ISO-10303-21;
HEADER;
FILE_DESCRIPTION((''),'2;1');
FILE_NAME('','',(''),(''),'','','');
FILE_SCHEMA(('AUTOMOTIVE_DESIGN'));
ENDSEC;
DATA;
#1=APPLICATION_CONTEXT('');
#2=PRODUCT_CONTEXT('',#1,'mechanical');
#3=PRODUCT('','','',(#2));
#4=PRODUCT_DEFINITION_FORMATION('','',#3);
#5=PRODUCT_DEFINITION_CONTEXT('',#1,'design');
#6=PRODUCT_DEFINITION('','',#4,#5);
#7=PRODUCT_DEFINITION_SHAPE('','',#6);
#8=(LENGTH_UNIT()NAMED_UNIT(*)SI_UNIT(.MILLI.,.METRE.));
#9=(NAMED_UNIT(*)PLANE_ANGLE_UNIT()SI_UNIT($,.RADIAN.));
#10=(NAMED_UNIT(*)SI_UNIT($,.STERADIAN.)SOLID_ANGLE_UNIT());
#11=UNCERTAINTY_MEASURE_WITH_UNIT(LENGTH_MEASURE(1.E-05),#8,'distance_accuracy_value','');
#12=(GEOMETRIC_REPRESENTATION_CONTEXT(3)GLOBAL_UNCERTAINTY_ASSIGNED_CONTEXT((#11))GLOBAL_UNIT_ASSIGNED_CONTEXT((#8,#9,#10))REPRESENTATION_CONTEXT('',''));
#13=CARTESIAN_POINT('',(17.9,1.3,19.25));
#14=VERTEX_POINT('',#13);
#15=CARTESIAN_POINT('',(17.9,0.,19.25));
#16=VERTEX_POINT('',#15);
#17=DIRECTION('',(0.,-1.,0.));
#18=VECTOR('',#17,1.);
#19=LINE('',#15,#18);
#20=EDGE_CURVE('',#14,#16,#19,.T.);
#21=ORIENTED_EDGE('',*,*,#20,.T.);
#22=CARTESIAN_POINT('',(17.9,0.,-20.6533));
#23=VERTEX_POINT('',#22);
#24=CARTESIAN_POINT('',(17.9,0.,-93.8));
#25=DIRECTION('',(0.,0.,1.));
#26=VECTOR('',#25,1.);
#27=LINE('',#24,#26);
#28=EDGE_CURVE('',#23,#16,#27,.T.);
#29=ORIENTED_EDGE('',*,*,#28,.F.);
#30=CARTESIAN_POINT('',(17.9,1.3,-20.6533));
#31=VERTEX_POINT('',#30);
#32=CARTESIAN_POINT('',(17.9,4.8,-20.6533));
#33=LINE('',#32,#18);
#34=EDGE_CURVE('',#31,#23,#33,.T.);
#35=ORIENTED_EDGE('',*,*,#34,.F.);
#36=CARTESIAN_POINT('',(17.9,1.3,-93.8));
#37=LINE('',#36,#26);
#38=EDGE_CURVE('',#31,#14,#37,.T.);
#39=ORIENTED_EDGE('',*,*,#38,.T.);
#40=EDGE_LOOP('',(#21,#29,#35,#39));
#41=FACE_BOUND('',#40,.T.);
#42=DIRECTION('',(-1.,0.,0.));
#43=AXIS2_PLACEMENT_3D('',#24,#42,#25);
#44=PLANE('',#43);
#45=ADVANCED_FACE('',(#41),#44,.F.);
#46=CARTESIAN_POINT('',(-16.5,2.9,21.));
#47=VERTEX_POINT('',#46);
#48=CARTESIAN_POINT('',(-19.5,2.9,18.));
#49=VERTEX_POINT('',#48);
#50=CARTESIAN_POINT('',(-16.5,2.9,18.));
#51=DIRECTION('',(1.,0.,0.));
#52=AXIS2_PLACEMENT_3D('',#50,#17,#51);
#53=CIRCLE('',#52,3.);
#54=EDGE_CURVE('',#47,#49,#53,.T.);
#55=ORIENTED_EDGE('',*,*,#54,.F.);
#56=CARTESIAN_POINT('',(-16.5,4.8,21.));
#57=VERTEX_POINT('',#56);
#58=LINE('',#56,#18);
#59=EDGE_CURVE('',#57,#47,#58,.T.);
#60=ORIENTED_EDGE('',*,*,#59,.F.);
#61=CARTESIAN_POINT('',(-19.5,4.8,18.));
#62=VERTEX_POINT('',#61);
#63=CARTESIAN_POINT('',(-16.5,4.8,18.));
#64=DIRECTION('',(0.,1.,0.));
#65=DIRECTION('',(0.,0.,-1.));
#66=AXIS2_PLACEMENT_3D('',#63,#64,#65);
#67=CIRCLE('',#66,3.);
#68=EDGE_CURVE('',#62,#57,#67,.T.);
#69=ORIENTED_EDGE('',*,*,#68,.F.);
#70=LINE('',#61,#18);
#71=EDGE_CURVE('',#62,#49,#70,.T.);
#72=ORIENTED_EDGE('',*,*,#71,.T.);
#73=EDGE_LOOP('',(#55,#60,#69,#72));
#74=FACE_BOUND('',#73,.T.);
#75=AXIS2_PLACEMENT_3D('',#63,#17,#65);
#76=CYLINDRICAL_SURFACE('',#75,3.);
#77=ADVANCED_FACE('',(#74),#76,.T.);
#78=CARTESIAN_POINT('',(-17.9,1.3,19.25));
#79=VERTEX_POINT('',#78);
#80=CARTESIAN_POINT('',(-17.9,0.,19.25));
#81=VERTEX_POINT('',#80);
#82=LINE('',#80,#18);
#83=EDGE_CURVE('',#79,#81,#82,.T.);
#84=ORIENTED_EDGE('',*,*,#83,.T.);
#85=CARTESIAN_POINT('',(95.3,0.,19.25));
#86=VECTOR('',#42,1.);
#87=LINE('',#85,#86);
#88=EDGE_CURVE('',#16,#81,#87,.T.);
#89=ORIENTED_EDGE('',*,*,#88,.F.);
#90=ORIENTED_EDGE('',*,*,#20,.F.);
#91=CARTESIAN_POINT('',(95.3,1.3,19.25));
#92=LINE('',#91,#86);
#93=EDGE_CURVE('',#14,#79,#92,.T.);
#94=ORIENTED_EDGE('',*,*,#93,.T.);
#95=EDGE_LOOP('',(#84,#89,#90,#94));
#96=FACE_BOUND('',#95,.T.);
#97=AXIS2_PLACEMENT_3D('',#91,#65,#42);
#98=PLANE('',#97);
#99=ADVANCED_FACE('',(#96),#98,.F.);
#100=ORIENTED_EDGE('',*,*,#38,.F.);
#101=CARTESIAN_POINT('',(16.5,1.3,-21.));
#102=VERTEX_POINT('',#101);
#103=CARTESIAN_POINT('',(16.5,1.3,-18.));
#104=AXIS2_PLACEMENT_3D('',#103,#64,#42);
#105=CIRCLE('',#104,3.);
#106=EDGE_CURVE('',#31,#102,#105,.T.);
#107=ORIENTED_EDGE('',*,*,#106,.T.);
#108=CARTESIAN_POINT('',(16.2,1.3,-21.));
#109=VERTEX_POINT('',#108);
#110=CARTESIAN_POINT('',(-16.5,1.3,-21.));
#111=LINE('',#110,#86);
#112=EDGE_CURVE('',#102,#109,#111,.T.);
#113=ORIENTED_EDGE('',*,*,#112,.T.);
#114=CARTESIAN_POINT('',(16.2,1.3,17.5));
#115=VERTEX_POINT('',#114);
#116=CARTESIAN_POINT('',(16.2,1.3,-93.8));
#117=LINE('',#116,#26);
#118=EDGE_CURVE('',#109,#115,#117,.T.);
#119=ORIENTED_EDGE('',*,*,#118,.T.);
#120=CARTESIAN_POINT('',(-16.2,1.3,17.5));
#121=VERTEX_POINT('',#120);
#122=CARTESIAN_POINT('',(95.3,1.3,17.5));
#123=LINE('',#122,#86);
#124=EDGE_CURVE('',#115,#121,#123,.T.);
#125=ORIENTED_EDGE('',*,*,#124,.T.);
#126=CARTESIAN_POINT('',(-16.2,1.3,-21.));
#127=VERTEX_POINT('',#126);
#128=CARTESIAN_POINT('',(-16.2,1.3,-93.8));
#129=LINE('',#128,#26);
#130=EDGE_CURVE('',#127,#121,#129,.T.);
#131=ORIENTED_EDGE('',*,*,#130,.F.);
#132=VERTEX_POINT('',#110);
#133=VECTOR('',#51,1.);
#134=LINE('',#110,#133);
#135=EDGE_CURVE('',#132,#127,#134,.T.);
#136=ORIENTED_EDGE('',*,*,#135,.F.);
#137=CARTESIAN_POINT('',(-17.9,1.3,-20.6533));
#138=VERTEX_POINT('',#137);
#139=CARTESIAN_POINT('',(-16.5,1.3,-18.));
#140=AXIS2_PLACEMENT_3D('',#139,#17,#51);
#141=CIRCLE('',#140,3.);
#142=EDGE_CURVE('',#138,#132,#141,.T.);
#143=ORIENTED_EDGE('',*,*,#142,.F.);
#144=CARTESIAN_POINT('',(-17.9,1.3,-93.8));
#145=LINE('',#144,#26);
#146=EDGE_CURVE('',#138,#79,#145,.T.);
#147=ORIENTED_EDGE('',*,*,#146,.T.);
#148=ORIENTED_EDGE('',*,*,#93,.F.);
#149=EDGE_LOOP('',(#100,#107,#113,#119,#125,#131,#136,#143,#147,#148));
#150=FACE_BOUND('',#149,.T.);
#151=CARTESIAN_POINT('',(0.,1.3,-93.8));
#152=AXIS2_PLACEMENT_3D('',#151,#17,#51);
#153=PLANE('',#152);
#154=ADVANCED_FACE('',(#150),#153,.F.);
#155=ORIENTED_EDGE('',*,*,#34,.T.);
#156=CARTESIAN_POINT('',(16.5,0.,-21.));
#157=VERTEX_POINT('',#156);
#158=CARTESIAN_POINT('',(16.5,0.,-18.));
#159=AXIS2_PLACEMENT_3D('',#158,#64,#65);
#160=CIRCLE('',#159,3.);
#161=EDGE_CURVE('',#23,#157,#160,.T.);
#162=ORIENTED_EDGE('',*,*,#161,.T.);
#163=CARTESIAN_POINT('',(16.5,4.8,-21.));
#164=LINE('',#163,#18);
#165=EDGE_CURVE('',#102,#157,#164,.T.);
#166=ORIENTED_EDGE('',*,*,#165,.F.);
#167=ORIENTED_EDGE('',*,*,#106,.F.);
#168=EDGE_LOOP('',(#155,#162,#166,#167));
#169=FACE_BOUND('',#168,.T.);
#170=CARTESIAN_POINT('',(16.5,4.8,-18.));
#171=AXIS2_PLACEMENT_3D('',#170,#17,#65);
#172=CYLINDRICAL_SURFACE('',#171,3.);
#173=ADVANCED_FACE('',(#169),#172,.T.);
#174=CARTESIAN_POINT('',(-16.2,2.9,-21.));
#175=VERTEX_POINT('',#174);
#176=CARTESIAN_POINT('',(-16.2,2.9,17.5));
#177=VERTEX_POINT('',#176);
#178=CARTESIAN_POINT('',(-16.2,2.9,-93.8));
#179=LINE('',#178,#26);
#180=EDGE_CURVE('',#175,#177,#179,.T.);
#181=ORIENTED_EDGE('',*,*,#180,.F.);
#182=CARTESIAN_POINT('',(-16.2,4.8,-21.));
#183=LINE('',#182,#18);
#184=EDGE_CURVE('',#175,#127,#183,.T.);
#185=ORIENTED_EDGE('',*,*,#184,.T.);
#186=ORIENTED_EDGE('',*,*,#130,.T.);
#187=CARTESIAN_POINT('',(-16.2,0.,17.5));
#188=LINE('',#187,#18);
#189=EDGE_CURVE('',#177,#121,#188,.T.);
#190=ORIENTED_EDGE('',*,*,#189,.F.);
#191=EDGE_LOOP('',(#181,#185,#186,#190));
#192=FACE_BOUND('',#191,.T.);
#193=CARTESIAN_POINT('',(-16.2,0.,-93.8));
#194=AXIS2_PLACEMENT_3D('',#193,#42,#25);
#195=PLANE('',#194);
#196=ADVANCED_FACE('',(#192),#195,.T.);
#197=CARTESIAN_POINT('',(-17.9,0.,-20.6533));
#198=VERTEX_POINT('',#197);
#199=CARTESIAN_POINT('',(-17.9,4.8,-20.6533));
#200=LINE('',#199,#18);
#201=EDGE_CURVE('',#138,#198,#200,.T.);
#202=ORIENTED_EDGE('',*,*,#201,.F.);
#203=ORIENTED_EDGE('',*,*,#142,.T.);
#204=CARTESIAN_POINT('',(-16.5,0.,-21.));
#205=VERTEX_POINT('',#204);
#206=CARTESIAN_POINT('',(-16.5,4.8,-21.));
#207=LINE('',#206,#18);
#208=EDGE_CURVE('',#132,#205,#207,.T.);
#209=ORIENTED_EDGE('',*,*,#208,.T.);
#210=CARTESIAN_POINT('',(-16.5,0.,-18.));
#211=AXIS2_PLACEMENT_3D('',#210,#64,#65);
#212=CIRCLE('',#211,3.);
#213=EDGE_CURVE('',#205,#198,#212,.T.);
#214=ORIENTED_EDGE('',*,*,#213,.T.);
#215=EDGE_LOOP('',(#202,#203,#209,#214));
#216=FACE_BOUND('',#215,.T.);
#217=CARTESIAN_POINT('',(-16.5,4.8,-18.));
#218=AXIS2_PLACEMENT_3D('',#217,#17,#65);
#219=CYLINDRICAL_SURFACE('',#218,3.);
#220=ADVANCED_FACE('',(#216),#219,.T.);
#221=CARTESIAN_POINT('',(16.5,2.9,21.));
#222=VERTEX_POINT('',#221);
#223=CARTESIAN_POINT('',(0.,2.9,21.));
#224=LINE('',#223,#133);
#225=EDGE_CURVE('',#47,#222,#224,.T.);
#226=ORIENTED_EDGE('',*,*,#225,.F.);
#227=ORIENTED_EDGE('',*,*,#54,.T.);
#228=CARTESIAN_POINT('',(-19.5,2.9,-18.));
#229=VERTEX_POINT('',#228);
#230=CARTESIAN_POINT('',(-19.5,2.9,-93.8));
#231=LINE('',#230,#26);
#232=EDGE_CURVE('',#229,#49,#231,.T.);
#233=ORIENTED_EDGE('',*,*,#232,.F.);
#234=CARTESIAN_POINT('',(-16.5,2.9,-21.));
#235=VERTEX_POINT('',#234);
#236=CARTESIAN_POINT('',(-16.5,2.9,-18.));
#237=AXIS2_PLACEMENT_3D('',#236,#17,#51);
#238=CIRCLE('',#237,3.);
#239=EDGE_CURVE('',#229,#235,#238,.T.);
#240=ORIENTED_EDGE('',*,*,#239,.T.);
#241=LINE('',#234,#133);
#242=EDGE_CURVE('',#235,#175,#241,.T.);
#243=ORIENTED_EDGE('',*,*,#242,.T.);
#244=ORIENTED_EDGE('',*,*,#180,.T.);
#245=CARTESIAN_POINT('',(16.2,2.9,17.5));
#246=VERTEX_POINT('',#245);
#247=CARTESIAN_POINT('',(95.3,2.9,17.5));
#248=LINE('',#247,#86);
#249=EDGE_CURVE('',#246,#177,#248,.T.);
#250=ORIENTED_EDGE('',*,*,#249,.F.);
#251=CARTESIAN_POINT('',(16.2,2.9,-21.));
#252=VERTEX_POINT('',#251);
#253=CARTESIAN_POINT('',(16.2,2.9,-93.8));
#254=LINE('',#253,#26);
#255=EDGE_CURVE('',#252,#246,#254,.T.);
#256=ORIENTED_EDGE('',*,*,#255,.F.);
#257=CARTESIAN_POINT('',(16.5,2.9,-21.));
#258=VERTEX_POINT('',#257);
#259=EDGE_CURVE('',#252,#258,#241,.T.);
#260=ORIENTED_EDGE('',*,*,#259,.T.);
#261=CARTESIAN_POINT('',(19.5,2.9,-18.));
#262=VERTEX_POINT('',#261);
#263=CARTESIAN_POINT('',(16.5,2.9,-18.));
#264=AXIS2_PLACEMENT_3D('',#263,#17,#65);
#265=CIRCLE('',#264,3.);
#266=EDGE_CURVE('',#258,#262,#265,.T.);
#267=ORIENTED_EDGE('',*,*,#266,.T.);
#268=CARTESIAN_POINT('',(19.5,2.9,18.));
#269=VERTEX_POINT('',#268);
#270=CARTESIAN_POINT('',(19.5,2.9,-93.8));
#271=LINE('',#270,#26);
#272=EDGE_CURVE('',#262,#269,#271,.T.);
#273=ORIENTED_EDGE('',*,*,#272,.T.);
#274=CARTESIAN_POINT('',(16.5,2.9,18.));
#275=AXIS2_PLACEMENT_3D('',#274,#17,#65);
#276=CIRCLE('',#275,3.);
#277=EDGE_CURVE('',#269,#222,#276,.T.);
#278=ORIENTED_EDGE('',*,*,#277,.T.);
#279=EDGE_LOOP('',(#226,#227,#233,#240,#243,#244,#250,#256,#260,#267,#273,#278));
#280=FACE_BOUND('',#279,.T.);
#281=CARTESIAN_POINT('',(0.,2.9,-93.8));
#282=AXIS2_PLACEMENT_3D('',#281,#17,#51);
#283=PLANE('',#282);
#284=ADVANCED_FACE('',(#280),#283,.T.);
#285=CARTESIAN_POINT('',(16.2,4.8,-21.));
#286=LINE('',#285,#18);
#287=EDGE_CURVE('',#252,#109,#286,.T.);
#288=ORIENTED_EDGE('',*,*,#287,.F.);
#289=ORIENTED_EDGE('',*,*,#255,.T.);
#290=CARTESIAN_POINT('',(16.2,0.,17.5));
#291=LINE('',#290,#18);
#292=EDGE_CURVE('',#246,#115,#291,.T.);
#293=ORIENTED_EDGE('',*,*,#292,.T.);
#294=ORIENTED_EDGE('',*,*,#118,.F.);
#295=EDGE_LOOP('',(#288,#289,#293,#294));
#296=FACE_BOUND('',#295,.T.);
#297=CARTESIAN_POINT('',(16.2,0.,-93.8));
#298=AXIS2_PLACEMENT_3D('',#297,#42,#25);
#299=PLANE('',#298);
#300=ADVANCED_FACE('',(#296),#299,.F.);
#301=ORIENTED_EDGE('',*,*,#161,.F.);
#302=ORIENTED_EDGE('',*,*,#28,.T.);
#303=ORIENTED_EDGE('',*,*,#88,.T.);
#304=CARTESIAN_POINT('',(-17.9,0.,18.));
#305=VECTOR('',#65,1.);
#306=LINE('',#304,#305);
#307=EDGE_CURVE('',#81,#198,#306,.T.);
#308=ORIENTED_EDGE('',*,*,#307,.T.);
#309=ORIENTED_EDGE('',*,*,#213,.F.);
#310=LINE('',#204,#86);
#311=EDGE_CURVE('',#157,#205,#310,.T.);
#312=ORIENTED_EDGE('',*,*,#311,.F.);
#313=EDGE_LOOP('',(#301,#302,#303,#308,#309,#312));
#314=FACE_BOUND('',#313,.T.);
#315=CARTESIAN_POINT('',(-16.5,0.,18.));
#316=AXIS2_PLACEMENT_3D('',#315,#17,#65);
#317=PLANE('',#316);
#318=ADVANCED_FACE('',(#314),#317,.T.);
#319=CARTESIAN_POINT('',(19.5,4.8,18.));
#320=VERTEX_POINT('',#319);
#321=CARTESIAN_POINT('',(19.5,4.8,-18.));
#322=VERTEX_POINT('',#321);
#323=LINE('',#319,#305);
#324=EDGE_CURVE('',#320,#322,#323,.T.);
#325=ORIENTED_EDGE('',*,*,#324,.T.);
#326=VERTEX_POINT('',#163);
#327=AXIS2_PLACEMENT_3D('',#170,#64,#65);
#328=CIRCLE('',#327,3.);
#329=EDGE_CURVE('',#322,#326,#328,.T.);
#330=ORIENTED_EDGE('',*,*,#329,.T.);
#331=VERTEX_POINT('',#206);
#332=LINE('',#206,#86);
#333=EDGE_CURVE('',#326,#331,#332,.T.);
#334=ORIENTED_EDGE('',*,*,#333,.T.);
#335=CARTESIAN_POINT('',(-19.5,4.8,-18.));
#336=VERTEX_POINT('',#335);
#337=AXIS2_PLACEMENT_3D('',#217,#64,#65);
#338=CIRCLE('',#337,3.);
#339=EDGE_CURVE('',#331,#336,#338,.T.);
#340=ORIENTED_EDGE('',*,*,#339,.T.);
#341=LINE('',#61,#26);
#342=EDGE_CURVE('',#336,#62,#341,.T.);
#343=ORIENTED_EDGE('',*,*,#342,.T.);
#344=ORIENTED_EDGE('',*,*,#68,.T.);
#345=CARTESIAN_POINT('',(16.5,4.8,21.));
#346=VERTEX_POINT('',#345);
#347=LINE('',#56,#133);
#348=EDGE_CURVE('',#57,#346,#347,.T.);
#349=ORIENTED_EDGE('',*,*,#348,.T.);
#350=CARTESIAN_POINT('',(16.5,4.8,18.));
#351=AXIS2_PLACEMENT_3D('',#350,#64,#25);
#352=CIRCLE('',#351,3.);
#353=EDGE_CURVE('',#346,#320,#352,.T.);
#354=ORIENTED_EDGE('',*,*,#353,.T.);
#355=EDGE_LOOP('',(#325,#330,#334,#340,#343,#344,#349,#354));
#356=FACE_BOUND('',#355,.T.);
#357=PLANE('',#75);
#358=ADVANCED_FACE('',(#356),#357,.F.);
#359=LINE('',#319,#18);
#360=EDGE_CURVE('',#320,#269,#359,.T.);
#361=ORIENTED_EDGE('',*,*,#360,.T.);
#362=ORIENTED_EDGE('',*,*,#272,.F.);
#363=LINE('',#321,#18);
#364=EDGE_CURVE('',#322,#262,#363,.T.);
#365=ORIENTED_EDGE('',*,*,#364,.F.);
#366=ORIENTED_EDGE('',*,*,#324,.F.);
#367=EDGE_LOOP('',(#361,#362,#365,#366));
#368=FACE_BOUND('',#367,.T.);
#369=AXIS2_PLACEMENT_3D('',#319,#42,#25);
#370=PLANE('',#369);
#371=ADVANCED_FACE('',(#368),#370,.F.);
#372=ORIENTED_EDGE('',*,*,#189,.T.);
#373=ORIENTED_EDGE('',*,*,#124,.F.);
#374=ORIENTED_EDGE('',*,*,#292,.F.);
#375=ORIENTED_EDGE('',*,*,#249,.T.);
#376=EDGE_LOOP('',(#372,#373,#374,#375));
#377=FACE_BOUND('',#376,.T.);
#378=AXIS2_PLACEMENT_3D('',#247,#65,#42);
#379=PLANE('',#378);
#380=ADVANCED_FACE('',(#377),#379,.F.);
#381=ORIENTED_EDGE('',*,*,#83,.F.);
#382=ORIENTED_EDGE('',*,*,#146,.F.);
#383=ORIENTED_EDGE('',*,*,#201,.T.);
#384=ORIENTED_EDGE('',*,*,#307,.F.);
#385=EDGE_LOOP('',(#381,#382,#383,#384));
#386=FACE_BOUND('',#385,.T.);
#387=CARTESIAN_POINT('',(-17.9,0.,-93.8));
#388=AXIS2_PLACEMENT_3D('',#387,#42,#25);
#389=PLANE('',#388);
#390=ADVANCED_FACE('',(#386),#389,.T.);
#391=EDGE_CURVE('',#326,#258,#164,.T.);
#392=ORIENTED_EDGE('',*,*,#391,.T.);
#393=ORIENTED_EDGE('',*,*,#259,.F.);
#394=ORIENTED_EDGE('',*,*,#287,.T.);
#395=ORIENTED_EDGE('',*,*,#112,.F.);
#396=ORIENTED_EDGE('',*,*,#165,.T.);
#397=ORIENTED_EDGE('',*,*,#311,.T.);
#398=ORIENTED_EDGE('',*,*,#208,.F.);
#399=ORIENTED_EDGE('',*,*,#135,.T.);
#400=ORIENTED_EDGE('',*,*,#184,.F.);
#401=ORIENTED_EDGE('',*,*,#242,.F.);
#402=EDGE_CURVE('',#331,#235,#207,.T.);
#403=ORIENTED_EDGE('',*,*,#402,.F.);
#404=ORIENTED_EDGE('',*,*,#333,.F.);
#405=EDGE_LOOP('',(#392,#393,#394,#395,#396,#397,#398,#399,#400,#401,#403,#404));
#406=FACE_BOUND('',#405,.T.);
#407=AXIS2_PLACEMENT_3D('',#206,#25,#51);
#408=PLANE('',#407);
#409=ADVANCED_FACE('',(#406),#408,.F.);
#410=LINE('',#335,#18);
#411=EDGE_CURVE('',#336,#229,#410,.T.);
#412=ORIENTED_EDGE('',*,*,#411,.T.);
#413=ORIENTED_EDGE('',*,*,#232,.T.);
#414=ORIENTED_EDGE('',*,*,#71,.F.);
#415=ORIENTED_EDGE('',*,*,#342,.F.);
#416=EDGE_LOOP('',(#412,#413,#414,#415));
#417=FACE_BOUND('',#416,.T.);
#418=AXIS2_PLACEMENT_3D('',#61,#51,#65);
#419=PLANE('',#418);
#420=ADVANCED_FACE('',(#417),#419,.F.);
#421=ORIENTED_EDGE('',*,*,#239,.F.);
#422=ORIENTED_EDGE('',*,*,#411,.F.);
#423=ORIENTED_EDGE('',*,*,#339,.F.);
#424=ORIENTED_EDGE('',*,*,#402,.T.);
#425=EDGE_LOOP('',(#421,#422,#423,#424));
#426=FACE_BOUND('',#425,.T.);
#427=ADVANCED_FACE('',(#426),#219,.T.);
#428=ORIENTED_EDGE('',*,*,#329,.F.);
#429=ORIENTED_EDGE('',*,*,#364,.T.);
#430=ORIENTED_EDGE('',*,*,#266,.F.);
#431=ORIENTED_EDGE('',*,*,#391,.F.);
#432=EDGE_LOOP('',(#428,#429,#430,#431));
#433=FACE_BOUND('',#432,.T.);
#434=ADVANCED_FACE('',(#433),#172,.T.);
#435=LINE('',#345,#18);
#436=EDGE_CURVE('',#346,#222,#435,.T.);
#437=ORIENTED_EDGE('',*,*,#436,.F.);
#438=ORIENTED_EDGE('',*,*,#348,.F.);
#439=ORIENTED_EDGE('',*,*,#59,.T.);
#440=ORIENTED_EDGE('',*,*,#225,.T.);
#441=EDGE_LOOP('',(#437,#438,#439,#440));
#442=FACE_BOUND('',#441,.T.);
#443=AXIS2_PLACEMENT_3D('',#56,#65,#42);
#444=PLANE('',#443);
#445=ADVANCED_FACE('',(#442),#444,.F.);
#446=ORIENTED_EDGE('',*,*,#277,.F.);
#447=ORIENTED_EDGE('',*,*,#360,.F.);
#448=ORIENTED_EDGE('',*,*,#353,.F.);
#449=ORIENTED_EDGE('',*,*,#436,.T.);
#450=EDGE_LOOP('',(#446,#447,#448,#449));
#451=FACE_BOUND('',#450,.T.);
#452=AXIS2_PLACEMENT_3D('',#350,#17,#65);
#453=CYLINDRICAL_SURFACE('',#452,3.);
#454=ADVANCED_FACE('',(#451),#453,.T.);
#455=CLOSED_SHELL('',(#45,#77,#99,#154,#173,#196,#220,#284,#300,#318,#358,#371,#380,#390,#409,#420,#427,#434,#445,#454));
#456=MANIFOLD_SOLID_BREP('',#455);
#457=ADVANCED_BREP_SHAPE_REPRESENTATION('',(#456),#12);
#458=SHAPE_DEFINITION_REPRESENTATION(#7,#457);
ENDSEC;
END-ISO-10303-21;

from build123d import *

# Parameters (mm, degrees)
BOSS_EXTRUDE1_DEPTH = 4.8
SKETCH3_W           = 0.3
SKETCH3_H           = 1.6
CUT_EXTRUDE1_DEPTH  = 114.8
CUT_EXTRUDE2_DEPTH  = 114.8


with BuildPart() as part:
    # Sketch2 → Boss-Extrude1 (new body)
    with BuildSketch(Plane(origin=(0, 0, 0), x_dir=(1, 0, 0), z_dir=(0, 1, 0))):
        with BuildLine():
            Line((-16.5, -21), (16.5, -21))
            ThreePointArc((16.5, -21), (18.621320344, -20.121320344), (19.5, -18))
            Line((19.5, -18), (19.5, 18))
            ThreePointArc((19.5, 18), (18.621320344, 20.121320344), (16.5, 21))
            Line((16.5, 21), (-16.5, 21))
            ThreePointArc((-16.5, 21), (-18.621320344, 20.121320344), (-19.5, 18))
            Line((-19.5, 18), (-19.5, -18))
            ThreePointArc((-19.5, -18), (-18.621320344, -20.121320344), (-16.5, -21))
        make_face()
    extrude(amount=BOSS_EXTRUDE1_DEPTH)

    # Sketch3 → Cut-Extrude1 (cut)
    with BuildSketch(Plane.XY.offset(21)):
        Polygon((-16.5, 1.3), (-16.5, 2.9), (-17.9, 2.9), (-19.5, 2.9), (-19.5, 1.3), (-19.5, 0), (-17.9, 0), (-17.9, 1.3), align=None)
        Polygon((17.9, 2.9), (16.5, 2.9), (16.5, 1.3), (17.9, 1.3), (17.9, 0), (19.5, 0), (19.5, 1.3), (19.5, 2.9), align=None)
        with Locations((-16.35, 2.1)):
            Rectangle(SKETCH3_W, SKETCH3_H)
        with Locations((16.35, 2.1)):
            Rectangle(SKETCH3_W, SKETCH3_H)
    extrude(amount=-CUT_EXTRUDE1_DEPTH, mode=Mode.SUBTRACT)

    # Sketch4 → Cut-Extrude2 (cut)
    with BuildSketch(Plane.ZY.offset(19.5)):
        Polygon((17.5, 2.9), (21, 2.9), (21, 1.2), (21, 0), (19.25, 0), (19.25, 1.3), (17.5, 1.3), align=None)
    extrude(amount=-CUT_EXTRUDE2_DEPTH, mode=Mode.SUBTRACT)


solid = part.part
